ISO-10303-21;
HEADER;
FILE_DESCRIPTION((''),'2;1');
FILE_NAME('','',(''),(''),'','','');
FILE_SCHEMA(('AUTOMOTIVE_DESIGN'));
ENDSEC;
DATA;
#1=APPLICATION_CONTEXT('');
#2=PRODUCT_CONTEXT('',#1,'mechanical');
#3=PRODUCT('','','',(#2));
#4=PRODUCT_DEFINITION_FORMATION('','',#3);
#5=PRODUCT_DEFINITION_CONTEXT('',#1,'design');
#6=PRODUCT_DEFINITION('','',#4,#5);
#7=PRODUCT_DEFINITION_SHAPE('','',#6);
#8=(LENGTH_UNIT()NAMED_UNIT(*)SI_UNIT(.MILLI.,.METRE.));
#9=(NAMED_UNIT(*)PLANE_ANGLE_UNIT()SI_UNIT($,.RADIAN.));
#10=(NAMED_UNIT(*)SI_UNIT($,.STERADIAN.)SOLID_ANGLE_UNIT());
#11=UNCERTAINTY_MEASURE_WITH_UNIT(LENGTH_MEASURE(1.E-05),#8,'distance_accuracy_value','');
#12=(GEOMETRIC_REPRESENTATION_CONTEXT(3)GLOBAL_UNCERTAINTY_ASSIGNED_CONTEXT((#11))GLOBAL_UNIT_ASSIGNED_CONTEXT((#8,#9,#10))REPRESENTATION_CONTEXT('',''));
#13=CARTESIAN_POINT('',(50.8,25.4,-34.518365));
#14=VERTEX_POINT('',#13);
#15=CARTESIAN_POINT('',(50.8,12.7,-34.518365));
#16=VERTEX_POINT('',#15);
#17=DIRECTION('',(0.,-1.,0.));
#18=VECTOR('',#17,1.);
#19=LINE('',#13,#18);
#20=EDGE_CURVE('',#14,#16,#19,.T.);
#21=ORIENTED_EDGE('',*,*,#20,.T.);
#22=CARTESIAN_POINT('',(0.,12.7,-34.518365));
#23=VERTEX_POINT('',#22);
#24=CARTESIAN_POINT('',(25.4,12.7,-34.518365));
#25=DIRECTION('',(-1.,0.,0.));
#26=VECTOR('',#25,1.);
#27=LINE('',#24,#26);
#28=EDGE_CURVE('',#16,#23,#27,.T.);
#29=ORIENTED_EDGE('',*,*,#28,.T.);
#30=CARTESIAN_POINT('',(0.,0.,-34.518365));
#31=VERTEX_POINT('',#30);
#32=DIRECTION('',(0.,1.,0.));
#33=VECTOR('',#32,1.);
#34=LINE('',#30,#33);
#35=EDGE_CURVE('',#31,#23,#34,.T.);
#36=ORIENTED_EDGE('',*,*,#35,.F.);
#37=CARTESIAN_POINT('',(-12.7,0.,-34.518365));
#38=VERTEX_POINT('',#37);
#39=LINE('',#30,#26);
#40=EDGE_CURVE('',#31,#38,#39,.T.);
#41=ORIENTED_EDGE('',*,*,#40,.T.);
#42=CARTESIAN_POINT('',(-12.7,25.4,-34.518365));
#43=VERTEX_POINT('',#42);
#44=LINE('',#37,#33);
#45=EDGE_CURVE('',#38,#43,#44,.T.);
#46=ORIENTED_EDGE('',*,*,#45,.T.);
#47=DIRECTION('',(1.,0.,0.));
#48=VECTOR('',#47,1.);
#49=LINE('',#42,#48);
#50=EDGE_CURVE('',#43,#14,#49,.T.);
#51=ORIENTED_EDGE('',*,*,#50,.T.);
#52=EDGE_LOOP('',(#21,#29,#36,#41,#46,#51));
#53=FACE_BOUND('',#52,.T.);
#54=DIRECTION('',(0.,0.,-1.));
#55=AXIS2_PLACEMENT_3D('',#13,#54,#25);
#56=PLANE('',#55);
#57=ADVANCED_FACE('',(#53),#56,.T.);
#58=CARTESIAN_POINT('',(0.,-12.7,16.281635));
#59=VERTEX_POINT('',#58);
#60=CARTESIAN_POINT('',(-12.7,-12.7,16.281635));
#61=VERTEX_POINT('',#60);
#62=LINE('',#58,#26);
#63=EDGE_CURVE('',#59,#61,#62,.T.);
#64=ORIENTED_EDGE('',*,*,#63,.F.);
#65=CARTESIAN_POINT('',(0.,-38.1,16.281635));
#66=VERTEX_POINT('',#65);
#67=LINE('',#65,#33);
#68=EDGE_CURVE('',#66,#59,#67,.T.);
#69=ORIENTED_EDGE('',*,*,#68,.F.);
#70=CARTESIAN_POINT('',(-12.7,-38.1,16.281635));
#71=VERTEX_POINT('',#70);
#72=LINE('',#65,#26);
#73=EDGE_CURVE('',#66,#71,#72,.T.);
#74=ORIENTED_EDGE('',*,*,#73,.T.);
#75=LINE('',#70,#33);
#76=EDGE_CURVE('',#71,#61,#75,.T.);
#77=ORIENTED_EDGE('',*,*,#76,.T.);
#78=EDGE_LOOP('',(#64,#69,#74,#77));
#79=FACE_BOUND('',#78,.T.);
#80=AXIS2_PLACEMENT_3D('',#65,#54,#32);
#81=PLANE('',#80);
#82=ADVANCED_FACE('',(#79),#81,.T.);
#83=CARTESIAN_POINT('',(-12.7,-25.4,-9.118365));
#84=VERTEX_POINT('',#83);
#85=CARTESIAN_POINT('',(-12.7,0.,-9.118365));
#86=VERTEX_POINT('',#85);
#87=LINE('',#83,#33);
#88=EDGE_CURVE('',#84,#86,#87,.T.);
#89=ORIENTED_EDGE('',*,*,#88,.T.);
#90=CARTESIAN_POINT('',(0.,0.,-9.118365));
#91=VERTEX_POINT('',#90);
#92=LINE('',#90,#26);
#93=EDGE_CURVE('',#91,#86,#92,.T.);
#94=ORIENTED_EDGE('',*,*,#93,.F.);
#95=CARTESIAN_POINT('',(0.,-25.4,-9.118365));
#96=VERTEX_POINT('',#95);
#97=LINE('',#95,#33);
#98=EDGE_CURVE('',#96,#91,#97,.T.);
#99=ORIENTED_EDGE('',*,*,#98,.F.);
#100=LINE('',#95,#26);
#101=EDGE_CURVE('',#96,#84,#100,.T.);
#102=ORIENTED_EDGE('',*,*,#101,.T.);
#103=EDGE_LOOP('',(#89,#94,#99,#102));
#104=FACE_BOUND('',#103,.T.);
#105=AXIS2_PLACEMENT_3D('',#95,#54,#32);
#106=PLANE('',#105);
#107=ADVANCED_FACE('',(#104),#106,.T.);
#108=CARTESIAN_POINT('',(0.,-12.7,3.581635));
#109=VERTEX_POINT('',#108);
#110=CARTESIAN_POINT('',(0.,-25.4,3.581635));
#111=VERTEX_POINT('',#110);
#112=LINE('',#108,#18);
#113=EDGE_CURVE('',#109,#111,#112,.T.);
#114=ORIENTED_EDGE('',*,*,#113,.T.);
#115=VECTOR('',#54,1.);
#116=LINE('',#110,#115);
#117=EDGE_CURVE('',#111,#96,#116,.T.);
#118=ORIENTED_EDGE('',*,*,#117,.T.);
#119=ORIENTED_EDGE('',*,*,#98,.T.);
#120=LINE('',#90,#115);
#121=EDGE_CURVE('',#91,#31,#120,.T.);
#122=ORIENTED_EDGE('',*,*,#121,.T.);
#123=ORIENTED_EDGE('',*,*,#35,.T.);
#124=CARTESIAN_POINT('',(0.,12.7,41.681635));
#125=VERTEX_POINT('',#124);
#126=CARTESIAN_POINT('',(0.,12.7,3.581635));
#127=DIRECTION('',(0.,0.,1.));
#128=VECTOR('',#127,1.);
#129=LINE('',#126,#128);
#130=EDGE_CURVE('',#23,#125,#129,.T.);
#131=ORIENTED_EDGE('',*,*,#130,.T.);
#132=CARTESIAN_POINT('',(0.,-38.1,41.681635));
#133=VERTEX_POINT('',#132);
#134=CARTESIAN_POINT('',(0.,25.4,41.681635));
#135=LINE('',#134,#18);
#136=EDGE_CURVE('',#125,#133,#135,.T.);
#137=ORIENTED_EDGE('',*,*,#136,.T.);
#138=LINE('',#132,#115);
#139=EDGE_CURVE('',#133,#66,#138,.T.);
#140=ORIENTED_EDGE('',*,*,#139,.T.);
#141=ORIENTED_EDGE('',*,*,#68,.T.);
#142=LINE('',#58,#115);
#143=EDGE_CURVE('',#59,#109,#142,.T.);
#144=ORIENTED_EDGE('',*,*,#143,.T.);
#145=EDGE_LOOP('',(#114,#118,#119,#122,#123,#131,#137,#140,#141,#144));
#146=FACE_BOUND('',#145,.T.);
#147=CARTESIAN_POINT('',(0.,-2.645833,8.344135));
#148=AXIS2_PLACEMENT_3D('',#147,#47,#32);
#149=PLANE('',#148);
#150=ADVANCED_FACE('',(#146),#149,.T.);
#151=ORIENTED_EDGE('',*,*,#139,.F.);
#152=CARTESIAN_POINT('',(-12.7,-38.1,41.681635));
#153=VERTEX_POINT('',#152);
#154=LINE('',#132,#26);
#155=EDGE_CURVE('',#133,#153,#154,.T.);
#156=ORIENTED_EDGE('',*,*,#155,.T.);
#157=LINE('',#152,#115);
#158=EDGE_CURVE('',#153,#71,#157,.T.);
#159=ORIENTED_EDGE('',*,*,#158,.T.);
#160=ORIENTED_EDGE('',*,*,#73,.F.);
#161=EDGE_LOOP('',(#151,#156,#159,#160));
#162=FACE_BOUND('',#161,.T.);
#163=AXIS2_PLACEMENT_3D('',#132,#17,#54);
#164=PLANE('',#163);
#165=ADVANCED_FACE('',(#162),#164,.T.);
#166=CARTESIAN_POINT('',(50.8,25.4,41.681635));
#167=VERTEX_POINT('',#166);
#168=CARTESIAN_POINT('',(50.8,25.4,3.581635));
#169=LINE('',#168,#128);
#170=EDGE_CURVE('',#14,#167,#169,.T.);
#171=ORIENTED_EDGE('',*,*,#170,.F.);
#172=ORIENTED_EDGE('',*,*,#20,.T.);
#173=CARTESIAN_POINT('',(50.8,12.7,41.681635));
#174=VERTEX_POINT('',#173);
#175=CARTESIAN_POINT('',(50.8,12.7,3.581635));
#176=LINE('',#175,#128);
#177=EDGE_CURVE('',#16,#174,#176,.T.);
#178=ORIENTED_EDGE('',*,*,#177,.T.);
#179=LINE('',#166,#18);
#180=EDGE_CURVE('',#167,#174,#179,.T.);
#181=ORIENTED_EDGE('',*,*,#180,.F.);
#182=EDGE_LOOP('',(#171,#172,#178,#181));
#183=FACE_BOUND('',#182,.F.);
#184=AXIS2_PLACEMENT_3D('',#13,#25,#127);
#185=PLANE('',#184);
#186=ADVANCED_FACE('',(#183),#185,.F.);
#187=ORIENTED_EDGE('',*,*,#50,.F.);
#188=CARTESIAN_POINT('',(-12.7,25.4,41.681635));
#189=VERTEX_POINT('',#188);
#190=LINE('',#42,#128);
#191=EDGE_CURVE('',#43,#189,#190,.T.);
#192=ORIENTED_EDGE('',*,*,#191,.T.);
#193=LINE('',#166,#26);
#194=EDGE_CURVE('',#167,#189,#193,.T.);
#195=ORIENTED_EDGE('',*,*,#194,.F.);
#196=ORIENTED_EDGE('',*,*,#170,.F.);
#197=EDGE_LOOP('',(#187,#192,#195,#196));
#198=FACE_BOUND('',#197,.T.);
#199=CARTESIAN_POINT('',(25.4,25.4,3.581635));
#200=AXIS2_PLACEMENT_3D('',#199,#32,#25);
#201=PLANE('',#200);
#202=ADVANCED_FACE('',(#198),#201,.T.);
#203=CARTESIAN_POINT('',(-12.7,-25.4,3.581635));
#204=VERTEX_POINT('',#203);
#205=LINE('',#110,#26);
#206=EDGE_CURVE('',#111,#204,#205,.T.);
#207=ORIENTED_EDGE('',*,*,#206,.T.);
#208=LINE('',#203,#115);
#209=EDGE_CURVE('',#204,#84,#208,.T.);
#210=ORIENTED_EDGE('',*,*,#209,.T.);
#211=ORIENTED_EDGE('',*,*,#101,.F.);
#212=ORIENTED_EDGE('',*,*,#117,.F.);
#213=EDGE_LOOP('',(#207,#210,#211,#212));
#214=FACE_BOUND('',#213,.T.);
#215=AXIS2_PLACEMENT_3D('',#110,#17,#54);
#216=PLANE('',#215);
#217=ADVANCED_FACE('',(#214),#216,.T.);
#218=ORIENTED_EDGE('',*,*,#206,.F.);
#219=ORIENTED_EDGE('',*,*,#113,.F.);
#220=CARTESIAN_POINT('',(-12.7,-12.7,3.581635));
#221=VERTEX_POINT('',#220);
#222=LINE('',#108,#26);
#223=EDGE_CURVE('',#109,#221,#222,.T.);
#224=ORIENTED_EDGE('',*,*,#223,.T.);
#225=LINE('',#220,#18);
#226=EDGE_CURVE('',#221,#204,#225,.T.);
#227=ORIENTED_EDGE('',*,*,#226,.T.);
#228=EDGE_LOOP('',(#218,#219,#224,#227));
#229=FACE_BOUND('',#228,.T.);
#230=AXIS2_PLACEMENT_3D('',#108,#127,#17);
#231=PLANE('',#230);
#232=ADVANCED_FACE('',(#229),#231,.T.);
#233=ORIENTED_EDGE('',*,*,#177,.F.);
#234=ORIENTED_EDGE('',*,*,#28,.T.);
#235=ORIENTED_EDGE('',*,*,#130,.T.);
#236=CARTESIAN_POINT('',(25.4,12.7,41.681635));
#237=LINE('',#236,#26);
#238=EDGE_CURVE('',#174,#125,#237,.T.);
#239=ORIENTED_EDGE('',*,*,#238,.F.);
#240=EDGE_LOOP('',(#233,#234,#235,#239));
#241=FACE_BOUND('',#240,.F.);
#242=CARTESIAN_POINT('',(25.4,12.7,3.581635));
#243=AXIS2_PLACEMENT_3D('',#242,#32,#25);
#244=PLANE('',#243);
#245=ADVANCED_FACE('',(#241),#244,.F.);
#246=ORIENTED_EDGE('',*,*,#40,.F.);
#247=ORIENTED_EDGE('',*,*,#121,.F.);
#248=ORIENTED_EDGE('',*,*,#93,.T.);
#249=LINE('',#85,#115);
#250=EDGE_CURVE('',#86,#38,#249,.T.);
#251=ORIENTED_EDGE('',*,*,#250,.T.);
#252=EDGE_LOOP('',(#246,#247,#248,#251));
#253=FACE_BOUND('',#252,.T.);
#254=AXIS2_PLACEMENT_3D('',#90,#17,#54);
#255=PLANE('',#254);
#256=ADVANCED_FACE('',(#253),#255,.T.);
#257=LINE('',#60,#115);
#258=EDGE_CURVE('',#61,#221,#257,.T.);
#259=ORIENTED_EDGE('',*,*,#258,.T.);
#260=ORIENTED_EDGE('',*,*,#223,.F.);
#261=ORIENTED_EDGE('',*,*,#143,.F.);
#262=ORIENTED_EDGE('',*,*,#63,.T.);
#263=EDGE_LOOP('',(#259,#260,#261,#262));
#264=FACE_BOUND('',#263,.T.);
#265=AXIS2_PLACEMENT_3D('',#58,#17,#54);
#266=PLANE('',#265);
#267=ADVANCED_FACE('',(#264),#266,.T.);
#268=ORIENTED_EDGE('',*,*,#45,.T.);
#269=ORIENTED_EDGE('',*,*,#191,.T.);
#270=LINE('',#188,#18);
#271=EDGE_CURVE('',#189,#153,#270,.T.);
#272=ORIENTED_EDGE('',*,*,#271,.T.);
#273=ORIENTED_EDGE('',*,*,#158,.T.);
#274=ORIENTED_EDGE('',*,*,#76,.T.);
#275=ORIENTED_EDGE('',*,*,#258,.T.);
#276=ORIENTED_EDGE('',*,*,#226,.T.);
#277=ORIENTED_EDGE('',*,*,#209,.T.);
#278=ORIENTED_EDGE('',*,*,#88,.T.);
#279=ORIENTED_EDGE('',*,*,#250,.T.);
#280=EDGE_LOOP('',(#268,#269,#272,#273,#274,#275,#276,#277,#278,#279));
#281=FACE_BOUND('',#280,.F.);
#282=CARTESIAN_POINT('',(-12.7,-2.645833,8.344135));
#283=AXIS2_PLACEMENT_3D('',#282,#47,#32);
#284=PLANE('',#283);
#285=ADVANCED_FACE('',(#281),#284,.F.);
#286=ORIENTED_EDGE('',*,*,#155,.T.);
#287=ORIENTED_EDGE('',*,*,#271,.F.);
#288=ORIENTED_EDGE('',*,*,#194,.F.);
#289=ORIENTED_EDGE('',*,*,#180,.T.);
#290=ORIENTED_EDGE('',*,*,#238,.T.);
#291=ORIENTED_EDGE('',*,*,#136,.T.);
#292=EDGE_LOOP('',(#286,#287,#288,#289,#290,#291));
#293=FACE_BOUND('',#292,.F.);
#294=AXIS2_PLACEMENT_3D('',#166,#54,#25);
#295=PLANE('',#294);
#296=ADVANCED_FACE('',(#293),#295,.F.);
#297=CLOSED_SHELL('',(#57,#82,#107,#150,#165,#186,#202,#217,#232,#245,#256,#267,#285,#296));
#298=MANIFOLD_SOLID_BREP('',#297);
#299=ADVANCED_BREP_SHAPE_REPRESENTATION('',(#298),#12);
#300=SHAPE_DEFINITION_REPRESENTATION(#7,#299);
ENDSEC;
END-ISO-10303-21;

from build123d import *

# Parameters (mm, degrees)
F1_DEPTH = 12.7
F2_W     = 50.8
F2_H     = 76.2
F3_DEPTH = 12.7


with BuildPart() as f1:
    # F0 (on Right) → F1 (new body)
    with BuildSketch(Plane.YZ):
        Polygon((25.4, 41.681635), (-38.1, 41.681635), (-38.1, 16.281635), (-12.7, 16.281635), (-12.7, 3.581635), (-25.4, 3.581635), (-25.4, -9.118365), (0, -9.118365), (0, -34.518365), (25.4, -34.518365), align=None)
    extrude(amount=-F1_DEPTH)

    # F2 (on face) → F3 (join)
    with BuildSketch(Plane(origin=(0, 25.4, 0), x_dir=(-1, 0, 0), z_dir=(0, 1, 0))):
        with Locations((-25.4, 3.581635)):
            Rectangle(F2_W, F2_H)
    extrude(amount=-F3_DEPTH)


solid = f1.part
